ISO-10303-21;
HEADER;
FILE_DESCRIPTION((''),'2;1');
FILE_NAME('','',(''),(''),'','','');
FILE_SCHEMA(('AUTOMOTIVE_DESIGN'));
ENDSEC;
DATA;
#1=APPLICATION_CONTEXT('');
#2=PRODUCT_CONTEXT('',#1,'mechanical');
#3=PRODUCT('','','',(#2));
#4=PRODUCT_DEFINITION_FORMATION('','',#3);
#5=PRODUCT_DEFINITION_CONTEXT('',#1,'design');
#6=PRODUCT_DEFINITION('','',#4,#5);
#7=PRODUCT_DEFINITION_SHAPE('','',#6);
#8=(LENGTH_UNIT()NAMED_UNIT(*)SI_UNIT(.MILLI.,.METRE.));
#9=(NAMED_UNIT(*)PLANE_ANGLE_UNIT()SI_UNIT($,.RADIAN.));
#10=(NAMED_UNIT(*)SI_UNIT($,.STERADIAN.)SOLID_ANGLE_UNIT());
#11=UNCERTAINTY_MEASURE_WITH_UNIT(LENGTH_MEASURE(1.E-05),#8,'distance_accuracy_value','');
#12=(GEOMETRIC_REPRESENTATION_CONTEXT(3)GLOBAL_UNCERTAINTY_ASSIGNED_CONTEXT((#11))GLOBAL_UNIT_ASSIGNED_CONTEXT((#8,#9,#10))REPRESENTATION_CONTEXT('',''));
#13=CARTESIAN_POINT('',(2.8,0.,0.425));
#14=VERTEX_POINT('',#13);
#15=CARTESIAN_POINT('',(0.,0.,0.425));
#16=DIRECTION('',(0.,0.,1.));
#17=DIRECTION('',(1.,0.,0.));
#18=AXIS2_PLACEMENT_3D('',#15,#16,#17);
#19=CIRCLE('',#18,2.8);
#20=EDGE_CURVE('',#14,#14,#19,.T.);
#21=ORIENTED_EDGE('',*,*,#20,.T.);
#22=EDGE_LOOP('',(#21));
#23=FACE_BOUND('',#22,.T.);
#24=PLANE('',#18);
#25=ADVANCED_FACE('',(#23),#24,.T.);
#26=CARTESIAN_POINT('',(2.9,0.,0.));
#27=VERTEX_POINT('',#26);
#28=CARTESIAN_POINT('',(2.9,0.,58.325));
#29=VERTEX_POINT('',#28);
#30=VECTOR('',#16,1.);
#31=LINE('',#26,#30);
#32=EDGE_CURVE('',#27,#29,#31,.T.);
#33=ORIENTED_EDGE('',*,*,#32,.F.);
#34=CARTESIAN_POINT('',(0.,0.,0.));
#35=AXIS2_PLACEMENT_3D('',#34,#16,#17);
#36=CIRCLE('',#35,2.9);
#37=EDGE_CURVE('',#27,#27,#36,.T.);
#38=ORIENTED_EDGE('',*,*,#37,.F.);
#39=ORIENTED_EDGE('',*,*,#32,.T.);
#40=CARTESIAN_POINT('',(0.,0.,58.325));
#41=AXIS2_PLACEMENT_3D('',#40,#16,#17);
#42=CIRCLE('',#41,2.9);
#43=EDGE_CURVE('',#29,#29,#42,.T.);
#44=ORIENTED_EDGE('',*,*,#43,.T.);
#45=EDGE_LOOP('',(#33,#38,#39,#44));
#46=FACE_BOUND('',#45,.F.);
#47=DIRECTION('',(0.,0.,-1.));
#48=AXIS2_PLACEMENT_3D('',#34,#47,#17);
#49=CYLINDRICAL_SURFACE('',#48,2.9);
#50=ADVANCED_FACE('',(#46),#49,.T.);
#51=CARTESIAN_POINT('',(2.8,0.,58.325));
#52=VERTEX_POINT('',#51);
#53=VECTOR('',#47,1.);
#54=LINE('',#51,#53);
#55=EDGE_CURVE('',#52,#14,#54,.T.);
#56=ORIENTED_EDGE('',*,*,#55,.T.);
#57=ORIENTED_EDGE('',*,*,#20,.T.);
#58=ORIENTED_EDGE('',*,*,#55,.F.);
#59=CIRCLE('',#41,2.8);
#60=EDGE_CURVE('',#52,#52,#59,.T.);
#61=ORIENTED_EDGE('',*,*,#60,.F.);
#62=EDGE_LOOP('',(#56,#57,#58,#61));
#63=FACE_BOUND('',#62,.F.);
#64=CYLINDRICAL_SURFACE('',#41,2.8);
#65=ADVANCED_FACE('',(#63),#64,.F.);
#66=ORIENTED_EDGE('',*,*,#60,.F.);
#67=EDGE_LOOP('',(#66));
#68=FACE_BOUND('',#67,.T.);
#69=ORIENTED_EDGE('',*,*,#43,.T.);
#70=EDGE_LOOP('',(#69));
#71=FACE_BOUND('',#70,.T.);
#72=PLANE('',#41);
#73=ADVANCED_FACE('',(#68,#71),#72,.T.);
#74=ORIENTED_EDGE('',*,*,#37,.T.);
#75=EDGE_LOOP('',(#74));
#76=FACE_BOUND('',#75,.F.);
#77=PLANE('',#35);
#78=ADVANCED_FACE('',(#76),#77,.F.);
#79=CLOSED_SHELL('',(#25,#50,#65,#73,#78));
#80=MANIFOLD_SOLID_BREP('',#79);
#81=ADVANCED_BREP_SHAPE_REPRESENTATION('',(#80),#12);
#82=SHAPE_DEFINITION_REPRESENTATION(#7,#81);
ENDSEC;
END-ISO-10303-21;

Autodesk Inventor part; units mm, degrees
ref_plane "YZ Plane" through (0, 0, 0) normal (1, 0, 0) x (0, 1, 0)
ref_plane "XZ Plane" through (0, 0, 0) normal (0, 1, 0) x (-1, 0, 0)
ref_plane "XY Plane" through (0, 0, 0) normal (0, 0, 1) x (1, 0, 0)
sketch "Boceto1" plane through (0, 0, 0) normal (0, 0, 1) x (1, 0, 0)
  circle A0 centre (0, 0) radius 2.9
  dimension "d0" = 5.8
extrude "Extrusión1" add sketch "Boceto1" along normal blind 58.325
sketch "Boceto2" plane through (0, 0, 58.325) normal (0, 0, 1) x (1, 0, 0)
  point P0 (0, 0)
sketch "Boceto3" plane through (0, 0, 58.325) normal (0, 0, 1) x (1, 0, 0)
  circle A0 centre (0, 0) radius 2.8
  dimension "d3" = 5.6
extrude "Extrusión2" cut sketch "Boceto3" against normal blind 57.9
properties part number "Barra" material "Aluminio 6061-AHC"
